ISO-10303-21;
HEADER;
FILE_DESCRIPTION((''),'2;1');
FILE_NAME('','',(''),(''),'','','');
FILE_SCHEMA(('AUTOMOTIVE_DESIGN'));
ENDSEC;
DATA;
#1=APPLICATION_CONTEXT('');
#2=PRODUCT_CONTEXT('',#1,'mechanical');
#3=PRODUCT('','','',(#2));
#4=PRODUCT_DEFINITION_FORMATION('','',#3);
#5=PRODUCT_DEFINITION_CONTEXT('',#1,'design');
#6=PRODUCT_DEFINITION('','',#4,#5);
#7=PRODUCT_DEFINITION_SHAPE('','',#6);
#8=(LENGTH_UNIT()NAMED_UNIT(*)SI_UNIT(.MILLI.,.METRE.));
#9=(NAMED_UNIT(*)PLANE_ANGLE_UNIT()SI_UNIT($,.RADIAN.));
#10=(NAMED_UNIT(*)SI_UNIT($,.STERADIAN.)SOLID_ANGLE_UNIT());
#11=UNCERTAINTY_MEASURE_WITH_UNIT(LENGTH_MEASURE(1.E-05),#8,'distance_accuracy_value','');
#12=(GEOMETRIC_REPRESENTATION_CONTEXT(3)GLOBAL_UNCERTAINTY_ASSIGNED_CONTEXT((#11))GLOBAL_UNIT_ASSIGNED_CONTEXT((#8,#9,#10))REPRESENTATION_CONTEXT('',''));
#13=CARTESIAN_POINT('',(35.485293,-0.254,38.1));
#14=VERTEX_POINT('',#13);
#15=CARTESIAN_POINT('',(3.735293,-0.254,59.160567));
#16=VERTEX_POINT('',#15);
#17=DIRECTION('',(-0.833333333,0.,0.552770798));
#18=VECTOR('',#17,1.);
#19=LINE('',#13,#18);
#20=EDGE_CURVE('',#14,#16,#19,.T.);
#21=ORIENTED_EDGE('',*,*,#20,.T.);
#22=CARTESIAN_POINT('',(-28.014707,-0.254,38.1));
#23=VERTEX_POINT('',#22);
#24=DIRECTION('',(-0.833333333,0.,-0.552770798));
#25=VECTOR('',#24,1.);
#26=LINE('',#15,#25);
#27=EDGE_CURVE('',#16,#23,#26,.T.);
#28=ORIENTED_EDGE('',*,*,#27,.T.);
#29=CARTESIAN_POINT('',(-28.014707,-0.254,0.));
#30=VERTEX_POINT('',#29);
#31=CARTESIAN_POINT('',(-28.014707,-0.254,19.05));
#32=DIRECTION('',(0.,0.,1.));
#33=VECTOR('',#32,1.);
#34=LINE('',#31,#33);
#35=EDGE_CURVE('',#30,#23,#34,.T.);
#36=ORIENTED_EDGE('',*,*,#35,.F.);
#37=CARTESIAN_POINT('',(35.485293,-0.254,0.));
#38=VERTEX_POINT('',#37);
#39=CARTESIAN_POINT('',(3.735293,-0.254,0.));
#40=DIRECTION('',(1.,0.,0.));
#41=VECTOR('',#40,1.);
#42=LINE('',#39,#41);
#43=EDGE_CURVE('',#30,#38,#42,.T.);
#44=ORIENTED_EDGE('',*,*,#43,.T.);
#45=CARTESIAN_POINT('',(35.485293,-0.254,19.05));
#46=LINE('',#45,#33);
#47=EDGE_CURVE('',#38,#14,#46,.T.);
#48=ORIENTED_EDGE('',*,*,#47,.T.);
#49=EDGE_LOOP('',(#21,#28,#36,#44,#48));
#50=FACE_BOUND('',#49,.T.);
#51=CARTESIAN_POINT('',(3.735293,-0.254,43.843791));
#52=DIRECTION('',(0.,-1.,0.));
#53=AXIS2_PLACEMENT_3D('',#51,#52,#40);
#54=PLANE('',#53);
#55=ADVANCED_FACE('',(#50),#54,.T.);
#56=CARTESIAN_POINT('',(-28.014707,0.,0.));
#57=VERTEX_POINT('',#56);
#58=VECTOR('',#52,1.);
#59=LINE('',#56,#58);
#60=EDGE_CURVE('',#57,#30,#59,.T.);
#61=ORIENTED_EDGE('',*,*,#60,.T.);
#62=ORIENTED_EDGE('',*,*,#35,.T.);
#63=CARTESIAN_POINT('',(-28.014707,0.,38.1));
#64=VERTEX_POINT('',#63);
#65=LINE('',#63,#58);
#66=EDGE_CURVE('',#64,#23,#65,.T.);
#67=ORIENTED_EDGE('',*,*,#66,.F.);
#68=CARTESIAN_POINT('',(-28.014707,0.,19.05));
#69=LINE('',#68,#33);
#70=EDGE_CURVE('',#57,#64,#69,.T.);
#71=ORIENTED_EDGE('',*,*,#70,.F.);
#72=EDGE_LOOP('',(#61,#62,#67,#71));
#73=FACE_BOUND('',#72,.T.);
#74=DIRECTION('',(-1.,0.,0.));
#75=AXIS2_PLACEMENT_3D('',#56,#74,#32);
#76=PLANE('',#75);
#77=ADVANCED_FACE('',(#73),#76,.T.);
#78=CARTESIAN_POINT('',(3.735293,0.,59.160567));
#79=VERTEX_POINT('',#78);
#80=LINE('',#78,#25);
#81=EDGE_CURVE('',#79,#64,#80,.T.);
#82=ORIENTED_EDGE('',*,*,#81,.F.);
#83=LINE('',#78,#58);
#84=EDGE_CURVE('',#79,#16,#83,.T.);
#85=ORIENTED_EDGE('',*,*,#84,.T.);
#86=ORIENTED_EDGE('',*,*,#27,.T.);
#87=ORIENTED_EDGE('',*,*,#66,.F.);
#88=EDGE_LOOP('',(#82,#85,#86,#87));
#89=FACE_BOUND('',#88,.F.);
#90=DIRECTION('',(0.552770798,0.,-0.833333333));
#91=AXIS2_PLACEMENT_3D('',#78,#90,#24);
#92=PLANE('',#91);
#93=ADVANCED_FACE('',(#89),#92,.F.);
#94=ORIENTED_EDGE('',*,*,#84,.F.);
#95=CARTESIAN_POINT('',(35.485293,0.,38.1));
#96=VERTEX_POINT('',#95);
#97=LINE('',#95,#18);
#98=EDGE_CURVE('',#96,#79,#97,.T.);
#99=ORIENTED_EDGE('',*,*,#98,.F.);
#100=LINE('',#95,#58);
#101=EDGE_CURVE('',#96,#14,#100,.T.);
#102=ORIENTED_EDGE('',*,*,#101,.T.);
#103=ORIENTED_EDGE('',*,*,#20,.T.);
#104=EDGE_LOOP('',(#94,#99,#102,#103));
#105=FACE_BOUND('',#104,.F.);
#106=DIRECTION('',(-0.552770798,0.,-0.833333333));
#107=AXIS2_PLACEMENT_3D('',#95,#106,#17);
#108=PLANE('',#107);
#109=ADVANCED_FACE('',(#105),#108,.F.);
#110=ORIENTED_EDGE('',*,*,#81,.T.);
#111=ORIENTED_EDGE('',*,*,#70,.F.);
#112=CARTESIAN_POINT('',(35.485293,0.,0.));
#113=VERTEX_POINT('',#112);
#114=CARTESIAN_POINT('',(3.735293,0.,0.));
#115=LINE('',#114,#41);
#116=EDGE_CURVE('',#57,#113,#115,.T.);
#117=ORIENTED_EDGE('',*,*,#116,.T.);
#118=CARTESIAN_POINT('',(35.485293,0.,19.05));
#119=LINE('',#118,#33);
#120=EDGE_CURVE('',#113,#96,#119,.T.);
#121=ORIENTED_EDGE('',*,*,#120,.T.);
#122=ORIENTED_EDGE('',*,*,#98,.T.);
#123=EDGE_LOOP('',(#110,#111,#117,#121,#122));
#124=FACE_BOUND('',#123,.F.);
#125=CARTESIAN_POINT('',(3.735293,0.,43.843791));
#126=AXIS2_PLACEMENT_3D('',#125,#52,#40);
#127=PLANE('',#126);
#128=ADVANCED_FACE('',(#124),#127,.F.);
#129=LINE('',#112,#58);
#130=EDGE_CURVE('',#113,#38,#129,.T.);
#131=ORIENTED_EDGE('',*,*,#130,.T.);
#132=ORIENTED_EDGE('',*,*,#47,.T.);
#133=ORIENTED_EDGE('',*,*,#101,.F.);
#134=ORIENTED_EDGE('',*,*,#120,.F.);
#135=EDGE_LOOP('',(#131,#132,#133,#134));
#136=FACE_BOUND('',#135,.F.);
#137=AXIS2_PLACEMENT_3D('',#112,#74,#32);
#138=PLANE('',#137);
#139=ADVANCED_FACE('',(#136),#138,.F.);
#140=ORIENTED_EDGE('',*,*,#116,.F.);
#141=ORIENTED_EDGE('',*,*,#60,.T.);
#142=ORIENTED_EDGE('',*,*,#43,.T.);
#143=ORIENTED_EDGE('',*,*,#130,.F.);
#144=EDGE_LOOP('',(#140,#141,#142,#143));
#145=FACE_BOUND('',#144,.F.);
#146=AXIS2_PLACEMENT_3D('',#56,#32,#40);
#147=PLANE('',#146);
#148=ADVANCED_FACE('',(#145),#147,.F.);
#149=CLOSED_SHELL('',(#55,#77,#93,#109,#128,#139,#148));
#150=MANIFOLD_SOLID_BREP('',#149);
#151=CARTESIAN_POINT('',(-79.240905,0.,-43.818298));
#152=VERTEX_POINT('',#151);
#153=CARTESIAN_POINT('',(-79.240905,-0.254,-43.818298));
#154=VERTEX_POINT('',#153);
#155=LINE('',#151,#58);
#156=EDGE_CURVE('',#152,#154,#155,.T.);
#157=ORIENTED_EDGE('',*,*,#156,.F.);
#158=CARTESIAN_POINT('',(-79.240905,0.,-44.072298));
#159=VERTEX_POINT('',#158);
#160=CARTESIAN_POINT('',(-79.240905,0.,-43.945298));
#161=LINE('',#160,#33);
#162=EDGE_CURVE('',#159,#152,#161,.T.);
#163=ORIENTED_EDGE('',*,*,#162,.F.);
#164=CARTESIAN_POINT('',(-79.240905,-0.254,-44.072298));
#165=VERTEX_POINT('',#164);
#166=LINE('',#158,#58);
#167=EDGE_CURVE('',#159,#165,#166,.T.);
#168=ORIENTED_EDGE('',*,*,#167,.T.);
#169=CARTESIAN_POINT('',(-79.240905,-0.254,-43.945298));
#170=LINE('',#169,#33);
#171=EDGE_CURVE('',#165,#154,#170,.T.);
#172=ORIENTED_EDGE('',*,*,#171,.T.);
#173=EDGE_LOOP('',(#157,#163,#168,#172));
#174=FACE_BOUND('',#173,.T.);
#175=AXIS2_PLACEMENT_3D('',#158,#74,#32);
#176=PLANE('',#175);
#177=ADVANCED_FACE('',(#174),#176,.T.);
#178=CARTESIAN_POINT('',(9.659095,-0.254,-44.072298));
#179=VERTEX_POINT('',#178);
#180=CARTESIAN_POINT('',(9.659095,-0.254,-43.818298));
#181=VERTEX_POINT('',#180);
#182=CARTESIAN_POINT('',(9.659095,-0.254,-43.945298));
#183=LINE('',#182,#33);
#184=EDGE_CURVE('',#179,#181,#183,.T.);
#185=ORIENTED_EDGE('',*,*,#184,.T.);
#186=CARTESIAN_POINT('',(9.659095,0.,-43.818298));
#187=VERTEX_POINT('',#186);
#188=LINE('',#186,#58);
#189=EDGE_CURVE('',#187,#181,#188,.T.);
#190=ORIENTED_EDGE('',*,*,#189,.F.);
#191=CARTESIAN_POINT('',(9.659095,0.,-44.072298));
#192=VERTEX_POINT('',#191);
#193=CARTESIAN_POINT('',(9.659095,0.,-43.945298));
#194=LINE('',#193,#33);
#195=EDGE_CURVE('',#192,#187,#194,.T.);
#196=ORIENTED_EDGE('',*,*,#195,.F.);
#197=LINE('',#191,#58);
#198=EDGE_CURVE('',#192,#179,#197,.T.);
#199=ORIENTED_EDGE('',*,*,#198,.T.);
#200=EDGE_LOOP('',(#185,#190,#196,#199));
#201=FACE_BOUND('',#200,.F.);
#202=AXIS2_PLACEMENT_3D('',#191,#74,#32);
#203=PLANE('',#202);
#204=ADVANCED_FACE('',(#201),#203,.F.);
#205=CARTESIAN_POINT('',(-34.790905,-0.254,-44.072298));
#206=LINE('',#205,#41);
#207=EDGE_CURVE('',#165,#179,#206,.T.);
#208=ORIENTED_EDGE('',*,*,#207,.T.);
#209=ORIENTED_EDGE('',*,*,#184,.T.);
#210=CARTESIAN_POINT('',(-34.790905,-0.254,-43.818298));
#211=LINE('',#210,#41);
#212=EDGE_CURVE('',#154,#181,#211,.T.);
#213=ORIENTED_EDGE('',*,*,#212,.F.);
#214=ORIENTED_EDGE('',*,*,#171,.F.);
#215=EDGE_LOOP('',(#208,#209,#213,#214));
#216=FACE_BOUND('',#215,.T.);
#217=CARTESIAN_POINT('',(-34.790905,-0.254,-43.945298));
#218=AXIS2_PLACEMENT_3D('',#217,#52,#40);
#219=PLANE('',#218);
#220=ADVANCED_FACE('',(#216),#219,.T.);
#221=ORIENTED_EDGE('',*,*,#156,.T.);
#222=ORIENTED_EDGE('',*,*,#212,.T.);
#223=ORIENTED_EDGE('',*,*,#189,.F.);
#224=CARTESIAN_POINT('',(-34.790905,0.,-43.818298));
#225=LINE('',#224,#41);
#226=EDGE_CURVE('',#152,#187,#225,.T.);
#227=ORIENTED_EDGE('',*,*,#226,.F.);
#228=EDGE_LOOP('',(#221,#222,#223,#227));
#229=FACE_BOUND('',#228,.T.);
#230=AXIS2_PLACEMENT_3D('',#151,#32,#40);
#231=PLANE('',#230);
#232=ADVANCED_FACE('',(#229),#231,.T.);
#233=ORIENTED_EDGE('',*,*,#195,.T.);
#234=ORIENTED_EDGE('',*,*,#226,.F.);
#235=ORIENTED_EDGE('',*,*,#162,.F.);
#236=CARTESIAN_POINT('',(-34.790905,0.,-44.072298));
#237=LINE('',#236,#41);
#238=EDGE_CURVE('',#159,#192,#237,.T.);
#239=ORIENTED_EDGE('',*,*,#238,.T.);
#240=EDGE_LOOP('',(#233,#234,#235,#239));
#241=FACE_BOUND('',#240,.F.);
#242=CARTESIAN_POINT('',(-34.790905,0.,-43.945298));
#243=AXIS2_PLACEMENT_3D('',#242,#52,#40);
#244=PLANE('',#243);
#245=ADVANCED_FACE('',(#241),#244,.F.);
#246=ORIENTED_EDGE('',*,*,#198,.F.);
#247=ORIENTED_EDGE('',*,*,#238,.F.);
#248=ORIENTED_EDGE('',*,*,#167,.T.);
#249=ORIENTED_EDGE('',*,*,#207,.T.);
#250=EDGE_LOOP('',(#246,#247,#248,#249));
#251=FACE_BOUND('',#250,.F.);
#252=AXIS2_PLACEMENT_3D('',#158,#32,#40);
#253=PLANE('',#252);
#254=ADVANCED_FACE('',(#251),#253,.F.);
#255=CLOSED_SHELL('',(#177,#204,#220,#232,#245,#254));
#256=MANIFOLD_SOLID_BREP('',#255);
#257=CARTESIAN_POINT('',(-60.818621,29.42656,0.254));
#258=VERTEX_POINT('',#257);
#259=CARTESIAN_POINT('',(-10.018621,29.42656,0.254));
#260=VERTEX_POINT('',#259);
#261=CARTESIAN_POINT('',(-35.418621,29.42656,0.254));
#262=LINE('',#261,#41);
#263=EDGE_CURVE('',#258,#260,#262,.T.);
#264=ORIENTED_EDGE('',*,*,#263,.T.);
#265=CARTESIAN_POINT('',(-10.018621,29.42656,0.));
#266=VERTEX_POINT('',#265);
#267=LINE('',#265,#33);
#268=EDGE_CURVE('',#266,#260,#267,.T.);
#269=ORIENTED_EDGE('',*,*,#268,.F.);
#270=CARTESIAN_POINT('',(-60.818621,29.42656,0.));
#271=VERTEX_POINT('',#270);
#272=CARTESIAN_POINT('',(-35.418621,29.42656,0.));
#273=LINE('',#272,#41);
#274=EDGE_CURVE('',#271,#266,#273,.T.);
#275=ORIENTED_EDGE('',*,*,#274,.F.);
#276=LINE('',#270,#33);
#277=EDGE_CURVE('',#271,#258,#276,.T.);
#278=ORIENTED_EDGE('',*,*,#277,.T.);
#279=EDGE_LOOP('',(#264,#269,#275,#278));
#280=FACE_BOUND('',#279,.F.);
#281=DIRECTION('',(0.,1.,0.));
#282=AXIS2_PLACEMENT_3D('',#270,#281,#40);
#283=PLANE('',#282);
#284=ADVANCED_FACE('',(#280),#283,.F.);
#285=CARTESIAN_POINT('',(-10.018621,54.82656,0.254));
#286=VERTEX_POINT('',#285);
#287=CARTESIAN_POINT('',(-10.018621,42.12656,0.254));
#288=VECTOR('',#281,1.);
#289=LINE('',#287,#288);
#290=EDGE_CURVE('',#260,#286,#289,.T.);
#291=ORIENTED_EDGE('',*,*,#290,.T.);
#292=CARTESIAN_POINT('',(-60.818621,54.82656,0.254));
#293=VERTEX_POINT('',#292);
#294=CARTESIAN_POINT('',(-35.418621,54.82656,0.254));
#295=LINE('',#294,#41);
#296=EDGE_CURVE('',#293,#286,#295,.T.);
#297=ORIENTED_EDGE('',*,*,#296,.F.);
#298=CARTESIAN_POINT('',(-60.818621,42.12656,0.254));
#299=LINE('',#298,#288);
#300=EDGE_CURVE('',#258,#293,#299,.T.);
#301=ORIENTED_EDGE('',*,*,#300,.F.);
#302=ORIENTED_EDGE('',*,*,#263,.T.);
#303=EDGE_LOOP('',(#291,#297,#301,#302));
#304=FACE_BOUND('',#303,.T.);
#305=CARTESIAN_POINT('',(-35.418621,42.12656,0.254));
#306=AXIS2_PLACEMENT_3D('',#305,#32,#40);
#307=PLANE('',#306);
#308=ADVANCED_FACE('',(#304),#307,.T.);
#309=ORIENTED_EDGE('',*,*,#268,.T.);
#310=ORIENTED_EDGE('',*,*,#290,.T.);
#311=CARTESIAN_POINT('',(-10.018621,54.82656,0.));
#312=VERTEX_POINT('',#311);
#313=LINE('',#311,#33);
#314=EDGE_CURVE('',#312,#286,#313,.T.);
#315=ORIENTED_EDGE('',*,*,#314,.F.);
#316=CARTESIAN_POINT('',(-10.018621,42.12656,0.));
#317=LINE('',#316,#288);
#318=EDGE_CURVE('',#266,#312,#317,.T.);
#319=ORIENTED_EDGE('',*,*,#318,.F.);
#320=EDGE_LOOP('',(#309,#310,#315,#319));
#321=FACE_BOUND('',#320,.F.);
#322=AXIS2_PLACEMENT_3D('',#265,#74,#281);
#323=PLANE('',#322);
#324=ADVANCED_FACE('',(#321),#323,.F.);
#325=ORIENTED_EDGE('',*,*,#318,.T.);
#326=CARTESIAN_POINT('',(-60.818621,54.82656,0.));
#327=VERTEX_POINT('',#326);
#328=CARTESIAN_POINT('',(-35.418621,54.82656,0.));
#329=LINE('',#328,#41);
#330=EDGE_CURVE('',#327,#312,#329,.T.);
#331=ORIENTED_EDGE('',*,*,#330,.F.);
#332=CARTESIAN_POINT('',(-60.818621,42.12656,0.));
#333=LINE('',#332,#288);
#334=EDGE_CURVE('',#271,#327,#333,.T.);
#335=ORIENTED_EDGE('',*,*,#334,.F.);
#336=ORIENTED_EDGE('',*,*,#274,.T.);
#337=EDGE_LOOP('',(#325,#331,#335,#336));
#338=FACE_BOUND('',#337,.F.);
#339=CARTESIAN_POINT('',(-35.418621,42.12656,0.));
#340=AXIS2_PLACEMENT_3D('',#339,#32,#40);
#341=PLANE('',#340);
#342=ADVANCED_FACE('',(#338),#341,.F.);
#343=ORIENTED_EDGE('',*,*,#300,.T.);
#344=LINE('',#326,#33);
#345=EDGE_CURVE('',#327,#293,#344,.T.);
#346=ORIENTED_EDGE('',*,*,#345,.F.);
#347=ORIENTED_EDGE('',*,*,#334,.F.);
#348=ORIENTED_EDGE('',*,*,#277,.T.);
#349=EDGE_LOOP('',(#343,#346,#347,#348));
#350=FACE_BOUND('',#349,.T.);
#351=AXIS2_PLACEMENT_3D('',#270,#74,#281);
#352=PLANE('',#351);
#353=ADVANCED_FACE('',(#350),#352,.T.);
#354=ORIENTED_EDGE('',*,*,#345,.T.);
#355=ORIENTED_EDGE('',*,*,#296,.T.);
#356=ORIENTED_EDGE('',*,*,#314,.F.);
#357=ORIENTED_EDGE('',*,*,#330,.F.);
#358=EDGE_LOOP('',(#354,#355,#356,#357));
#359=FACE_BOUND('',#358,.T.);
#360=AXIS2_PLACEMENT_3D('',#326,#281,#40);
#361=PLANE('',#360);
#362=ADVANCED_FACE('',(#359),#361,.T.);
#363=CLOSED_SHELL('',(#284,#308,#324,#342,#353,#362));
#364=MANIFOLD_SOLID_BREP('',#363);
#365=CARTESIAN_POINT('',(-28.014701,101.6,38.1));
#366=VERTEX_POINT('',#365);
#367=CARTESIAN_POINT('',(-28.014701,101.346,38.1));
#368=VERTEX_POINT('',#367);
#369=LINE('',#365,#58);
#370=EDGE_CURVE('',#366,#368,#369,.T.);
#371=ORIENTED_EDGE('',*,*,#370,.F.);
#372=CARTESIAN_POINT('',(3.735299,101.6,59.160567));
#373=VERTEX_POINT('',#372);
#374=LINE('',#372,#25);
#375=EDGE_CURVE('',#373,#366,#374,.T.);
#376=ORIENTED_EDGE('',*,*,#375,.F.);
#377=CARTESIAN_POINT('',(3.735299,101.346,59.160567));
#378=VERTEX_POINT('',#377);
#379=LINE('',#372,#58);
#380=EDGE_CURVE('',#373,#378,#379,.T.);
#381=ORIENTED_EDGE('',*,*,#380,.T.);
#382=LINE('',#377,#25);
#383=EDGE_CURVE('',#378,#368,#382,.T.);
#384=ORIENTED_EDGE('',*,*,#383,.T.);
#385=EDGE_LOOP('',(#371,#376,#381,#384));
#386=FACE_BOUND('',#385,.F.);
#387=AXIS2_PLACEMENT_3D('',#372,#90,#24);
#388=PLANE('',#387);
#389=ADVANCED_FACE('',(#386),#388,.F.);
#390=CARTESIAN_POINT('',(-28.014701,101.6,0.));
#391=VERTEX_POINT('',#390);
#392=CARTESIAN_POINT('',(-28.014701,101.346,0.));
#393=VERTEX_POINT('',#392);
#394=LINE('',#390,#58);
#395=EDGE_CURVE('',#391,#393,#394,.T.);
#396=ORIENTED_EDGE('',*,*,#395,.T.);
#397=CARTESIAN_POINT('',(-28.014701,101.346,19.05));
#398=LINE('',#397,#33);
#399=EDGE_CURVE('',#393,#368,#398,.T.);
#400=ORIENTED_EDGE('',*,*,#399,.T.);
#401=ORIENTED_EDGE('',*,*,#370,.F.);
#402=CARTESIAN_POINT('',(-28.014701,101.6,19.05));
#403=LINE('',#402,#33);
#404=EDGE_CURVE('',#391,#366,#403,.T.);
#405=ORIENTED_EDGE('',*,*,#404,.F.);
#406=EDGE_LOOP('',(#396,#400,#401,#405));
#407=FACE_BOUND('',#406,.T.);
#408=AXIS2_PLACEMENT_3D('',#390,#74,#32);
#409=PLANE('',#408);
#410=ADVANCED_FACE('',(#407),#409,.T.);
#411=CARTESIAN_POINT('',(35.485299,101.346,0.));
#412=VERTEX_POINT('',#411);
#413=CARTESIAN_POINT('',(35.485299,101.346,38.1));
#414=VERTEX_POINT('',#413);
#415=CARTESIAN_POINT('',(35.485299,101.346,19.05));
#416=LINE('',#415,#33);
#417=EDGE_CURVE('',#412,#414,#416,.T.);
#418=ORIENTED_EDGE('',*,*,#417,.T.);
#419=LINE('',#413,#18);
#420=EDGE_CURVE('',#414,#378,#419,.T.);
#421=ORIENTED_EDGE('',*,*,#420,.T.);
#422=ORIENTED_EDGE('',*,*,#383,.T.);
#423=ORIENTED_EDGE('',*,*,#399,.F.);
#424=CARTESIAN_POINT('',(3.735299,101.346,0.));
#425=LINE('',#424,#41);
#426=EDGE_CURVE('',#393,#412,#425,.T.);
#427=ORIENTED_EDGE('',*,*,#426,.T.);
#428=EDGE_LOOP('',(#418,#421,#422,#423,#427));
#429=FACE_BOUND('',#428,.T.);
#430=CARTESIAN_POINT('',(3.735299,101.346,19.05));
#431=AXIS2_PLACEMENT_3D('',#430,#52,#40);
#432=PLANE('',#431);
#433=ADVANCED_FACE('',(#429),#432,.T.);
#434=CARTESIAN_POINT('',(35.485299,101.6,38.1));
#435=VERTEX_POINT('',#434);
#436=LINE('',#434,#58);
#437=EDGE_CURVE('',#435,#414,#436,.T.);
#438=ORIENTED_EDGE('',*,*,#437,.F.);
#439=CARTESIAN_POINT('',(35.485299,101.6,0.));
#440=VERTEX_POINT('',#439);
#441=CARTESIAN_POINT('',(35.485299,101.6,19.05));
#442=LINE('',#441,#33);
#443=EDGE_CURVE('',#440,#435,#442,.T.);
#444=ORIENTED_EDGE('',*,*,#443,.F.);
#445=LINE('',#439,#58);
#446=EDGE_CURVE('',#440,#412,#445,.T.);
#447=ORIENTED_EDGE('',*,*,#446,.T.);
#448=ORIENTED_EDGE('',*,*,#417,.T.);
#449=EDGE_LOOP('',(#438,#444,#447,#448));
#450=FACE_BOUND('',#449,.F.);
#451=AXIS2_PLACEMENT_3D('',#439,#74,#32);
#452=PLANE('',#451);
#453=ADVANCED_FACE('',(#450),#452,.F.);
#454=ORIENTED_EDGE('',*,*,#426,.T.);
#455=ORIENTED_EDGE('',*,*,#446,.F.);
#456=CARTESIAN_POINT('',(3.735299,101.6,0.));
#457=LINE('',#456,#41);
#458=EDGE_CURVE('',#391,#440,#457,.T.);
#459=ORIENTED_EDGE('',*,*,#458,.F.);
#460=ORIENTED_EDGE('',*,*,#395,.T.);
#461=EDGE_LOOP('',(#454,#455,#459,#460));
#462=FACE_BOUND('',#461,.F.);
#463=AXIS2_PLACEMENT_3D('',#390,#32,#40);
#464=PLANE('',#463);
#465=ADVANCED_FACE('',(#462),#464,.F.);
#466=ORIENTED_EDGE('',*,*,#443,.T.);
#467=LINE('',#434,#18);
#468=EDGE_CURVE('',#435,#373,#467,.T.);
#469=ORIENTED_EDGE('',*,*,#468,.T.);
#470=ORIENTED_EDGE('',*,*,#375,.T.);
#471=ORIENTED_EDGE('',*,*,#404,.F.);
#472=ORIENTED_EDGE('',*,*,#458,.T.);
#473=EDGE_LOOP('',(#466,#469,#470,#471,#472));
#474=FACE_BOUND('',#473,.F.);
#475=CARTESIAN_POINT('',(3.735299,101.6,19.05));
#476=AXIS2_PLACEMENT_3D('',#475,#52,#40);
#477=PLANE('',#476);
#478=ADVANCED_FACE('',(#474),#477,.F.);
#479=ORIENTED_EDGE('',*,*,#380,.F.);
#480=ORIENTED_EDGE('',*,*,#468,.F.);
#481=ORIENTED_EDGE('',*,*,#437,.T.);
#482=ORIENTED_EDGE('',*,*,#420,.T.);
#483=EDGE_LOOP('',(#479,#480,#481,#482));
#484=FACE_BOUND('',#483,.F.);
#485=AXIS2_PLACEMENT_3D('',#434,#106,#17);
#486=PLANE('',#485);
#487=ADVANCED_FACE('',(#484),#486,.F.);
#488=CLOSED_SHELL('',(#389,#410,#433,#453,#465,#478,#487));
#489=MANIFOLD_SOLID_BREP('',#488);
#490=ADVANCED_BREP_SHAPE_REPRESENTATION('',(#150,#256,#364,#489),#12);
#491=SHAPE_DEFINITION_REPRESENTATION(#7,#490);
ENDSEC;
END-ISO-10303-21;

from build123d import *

# Parameters (mm, degrees)
F0_W     = 63.5
F0_H     = 38.1
F3_DEPTH = 0.254
F2_W     = 63.5
F2_H     = 38.1
F4_DEPTH = 0.254
F5_W     = 88.9
F5_H     = 0.254
F6_DEPTH = 0.254
F7_DEPTH = 0.254
F8_W     = 50.8
F8_H     = 25.4
F9_DEPTH = 0.254


with BuildPart() as f3:
    # F0 (on Front) → F3 (new body)
    with BuildSketch(Plane.XZ):
        Polygon((3.735292923, 59.1605674188), (-28.014707077, 38.1), (35.485292923, 38.1), align=None)
        with Locations((3.735292923, 19.05)):
            Rectangle(F0_W, F0_H)
    extrude(amount=F3_DEPTH)


with BuildPart() as f4:
    # F2 (on offset) → F4 (new body)
    with BuildSketch(Plane.XZ.offset(-101.6)):
        with Locations((3.7352986, 19.05)):
            Rectangle(F2_W, F2_H)
        Polygon((-28.0147014, 38.1), (35.4852986, 38.1), (3.7352986, 59.1605674188), align=None)
    extrude(amount=F4_DEPTH)


with BuildPart() as f6:
    # F5 (on Front) → F6 (new body)
    with BuildSketch(Plane.XZ):
        with Locations((-34.7909054301, -43.9452975988)):
            Rectangle(F5_W, F5_H)
    extrude(amount=F6_DEPTH)

    # F5 (on Front) → F7 (join)
    with BuildSketch(Plane.XZ):
        with Locations((-34.7909054301, -43.9452975988)):
            Rectangle(F5_W, F5_H)
    extrude(amount=F7_DEPTH)


with BuildPart() as f9:
    # F8 (on Top) → F9 (new body)
    with BuildSketch(Plane.XY):
        with Locations((-35.41862064, 42.1265598059)):
            Rectangle(F8_W, F8_H)
    extrude(amount=F9_DEPTH)


solid = Compound([f3.part, f4.part, f6.part, f9.part])
